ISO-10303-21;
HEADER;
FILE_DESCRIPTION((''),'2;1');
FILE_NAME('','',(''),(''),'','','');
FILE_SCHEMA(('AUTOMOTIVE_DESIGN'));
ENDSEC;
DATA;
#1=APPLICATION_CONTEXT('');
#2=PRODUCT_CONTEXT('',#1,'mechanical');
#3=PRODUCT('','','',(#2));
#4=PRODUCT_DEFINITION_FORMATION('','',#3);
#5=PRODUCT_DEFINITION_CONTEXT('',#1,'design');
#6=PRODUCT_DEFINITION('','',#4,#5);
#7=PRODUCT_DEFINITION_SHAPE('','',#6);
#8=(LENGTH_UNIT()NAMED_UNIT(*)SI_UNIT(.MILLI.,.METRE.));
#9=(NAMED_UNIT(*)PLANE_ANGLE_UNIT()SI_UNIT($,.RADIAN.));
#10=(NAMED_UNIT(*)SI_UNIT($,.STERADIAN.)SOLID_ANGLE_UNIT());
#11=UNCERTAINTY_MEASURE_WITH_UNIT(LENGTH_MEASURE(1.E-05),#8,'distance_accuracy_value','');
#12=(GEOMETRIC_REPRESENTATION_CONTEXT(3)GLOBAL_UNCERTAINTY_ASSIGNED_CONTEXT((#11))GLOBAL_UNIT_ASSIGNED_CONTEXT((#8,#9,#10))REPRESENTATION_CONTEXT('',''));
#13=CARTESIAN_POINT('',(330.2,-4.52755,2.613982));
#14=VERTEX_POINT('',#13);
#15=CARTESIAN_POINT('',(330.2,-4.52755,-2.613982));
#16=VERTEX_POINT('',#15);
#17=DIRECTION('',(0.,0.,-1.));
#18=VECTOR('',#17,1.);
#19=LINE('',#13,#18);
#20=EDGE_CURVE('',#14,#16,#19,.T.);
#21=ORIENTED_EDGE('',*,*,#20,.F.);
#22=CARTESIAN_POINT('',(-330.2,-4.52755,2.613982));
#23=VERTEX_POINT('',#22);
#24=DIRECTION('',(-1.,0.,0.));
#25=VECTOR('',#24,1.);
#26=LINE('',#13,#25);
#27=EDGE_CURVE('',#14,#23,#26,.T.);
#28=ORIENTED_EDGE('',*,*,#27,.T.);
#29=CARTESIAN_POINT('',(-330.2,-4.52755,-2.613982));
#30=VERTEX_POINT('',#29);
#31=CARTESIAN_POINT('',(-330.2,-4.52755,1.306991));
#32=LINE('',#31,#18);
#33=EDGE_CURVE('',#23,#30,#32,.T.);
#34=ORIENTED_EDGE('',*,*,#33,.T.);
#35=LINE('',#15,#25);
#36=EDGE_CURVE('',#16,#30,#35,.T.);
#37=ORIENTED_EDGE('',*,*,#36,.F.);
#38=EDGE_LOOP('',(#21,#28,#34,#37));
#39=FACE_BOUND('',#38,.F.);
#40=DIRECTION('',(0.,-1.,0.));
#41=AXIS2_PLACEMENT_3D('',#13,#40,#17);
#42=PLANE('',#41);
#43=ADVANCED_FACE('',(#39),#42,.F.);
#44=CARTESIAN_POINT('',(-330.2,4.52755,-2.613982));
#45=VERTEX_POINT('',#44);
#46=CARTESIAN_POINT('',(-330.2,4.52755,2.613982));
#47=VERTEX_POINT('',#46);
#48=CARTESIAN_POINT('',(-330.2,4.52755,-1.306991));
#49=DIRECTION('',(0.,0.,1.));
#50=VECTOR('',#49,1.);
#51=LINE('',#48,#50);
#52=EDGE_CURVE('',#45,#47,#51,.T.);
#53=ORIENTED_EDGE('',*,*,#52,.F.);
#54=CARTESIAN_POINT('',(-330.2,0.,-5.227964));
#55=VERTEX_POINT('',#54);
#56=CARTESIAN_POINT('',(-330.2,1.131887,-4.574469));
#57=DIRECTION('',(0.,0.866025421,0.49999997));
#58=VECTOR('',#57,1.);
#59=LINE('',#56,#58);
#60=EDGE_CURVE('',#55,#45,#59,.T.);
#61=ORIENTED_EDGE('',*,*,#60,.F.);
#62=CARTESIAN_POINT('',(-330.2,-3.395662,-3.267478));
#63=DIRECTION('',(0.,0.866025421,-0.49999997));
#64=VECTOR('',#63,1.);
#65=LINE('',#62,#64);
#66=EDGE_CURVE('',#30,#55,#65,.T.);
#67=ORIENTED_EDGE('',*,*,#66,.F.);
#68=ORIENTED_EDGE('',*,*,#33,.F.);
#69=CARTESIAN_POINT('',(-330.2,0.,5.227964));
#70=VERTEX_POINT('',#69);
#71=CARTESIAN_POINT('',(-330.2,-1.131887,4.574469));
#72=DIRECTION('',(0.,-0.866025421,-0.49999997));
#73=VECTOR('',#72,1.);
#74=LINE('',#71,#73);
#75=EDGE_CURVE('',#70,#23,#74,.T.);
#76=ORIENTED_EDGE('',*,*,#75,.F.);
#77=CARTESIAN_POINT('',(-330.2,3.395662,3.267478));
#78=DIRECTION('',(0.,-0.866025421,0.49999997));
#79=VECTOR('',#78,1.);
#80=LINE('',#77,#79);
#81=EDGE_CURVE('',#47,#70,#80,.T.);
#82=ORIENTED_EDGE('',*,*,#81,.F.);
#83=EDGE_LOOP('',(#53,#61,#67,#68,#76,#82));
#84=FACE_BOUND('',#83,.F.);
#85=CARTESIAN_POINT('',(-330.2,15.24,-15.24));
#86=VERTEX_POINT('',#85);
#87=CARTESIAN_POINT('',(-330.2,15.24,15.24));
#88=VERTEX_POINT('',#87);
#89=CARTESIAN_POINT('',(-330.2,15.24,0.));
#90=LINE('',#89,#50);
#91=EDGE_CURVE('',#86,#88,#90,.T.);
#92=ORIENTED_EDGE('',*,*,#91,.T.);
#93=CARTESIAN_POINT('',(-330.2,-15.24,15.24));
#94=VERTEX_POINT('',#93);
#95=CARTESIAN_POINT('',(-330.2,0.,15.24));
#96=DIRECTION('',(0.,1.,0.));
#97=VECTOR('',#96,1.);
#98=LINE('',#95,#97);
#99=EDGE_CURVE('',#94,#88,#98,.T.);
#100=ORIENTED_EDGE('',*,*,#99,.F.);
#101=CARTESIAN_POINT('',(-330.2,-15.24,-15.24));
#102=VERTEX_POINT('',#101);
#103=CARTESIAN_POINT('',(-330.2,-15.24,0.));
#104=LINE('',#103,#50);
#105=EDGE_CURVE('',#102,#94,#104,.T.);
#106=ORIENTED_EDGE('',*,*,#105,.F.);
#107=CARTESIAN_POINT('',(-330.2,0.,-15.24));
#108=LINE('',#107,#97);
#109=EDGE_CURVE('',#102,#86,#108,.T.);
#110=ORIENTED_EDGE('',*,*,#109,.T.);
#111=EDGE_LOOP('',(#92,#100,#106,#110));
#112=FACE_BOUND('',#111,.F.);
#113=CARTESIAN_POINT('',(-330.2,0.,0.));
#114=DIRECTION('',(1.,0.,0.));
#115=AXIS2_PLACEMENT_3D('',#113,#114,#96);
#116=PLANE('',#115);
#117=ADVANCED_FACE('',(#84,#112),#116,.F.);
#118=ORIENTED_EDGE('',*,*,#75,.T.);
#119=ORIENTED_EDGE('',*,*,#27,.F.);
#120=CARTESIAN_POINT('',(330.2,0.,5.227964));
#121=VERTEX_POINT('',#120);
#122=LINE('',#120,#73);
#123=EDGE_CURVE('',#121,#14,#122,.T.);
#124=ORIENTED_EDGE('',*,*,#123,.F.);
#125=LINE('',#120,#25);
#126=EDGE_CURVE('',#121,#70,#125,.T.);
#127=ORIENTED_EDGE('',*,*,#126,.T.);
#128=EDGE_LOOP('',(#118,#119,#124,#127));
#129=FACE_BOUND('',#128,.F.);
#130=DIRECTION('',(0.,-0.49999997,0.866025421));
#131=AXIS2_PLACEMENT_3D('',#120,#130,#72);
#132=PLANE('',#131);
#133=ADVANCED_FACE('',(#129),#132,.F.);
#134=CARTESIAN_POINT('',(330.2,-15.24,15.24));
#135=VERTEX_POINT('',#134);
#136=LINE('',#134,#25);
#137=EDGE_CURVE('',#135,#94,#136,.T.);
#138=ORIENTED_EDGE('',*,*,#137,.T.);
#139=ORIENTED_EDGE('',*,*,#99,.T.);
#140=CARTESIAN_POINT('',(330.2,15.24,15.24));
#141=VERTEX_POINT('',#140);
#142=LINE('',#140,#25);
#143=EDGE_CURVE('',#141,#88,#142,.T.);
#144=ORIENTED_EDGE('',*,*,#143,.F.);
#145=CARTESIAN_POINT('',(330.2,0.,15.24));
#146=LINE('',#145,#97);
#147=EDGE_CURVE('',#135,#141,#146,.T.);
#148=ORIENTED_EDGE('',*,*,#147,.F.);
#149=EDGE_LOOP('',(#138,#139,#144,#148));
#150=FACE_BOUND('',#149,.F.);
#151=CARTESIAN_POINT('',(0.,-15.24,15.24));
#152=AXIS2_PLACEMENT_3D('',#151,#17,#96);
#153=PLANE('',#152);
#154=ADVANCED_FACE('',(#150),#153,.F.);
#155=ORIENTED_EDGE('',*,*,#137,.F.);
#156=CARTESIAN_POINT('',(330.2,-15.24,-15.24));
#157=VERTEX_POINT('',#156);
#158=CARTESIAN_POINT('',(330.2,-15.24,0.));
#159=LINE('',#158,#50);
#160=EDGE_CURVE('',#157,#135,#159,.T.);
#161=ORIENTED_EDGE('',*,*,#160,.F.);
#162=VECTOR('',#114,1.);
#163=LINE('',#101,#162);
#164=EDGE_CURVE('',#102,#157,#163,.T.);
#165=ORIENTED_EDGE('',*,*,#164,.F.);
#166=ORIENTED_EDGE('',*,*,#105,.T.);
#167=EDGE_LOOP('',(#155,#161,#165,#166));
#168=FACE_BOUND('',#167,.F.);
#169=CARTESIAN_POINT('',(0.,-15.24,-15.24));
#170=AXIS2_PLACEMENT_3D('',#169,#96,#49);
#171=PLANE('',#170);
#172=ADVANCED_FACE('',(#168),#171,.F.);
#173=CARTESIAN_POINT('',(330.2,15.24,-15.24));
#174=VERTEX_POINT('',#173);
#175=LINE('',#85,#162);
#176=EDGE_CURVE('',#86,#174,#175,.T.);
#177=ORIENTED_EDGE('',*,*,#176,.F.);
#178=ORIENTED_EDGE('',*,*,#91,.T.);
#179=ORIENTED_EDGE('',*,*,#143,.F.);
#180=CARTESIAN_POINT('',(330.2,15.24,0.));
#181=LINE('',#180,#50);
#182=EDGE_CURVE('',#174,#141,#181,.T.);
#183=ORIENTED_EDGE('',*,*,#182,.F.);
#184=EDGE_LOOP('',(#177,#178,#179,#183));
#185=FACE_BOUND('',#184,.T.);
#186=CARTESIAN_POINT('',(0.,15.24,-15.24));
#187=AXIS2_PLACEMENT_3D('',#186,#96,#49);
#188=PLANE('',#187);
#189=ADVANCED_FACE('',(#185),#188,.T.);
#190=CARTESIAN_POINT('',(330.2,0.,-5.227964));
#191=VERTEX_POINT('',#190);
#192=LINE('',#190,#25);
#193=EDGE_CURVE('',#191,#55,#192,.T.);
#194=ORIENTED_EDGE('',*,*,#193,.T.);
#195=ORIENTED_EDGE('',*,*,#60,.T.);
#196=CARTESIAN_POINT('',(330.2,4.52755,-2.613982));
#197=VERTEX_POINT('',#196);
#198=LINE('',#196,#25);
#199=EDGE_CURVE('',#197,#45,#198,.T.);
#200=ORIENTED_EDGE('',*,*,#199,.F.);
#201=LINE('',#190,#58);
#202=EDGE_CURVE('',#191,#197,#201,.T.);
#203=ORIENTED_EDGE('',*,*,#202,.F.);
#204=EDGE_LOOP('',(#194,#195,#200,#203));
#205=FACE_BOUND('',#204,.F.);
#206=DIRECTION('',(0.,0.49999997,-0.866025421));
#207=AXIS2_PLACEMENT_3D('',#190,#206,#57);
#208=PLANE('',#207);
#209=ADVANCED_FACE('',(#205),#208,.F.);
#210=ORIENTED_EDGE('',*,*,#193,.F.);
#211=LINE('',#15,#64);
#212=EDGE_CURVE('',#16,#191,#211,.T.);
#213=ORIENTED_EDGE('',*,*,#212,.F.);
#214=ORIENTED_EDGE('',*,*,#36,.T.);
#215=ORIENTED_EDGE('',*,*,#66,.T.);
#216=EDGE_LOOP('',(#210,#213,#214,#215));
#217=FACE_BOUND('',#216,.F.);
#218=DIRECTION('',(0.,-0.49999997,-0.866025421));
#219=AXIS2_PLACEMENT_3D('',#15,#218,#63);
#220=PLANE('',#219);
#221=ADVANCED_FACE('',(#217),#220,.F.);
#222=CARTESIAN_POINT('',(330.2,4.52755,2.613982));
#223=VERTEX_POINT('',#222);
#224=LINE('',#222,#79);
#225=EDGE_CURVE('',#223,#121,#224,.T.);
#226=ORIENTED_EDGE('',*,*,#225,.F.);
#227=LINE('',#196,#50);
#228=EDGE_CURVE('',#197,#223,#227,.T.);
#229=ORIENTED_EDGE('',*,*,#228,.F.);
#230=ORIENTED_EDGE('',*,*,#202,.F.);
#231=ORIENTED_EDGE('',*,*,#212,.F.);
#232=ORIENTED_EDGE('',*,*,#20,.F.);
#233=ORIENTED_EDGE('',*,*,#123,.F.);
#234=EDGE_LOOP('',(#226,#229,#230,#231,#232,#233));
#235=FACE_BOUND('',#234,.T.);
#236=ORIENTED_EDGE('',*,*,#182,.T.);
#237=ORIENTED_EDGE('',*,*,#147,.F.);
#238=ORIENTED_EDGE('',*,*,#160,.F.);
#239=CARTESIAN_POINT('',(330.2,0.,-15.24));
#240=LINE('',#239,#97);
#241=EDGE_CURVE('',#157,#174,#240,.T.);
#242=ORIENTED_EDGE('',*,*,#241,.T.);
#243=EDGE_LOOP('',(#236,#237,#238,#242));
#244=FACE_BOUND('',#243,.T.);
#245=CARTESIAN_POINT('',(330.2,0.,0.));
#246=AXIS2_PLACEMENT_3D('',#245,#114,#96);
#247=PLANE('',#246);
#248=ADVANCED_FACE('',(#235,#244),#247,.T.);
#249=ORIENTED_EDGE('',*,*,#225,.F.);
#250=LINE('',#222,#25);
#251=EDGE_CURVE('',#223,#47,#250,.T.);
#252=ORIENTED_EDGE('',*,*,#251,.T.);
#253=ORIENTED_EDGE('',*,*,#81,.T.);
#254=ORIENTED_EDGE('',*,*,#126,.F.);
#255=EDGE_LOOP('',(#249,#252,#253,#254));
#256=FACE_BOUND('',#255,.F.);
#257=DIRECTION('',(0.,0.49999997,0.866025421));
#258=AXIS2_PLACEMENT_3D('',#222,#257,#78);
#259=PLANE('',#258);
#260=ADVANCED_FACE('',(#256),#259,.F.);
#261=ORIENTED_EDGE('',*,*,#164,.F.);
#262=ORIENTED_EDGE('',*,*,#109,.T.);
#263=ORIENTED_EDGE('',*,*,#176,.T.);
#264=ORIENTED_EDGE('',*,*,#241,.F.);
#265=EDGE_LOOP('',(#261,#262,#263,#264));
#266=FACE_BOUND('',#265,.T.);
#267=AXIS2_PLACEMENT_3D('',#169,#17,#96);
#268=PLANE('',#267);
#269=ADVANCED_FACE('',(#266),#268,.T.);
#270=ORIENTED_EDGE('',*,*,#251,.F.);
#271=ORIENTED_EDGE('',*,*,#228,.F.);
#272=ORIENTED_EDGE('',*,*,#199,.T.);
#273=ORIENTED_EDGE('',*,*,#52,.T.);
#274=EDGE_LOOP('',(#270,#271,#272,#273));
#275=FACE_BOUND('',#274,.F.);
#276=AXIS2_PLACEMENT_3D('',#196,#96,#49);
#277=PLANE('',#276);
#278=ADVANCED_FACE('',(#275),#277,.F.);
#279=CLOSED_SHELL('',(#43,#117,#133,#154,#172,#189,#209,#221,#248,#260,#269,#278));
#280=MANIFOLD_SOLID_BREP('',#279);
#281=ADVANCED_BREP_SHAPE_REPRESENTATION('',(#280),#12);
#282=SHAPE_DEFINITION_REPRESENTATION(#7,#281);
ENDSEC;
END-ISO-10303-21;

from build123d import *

# Parameters (mm, degrees)
F0_W     = 30.48
F0_H     = 30.48
F1_DEPTH = 330.2
F3_DEPTH = 660.401


with BuildPart() as f1:
    # F0 (on Right) → F1 (new body, symmetric)
    with BuildSketch(Plane.YZ):
        Rectangle(F0_W, F0_H)
    extrude(amount=F1_DEPTH, both=True)

    # F2 (on face) → F3 (cut, through all)
    with BuildSketch(Plane.YZ.offset(330.2)):
        Polygon((4.52755, -2.613982), (4.52755, 2.613982), (0, 5.227964), (-4.52755, 2.613982), (-4.52755, -2.613982), (0, -5.227964), align=None)
    extrude(amount=-F3_DEPTH, mode=Mode.SUBTRACT)


solid = f1.part
